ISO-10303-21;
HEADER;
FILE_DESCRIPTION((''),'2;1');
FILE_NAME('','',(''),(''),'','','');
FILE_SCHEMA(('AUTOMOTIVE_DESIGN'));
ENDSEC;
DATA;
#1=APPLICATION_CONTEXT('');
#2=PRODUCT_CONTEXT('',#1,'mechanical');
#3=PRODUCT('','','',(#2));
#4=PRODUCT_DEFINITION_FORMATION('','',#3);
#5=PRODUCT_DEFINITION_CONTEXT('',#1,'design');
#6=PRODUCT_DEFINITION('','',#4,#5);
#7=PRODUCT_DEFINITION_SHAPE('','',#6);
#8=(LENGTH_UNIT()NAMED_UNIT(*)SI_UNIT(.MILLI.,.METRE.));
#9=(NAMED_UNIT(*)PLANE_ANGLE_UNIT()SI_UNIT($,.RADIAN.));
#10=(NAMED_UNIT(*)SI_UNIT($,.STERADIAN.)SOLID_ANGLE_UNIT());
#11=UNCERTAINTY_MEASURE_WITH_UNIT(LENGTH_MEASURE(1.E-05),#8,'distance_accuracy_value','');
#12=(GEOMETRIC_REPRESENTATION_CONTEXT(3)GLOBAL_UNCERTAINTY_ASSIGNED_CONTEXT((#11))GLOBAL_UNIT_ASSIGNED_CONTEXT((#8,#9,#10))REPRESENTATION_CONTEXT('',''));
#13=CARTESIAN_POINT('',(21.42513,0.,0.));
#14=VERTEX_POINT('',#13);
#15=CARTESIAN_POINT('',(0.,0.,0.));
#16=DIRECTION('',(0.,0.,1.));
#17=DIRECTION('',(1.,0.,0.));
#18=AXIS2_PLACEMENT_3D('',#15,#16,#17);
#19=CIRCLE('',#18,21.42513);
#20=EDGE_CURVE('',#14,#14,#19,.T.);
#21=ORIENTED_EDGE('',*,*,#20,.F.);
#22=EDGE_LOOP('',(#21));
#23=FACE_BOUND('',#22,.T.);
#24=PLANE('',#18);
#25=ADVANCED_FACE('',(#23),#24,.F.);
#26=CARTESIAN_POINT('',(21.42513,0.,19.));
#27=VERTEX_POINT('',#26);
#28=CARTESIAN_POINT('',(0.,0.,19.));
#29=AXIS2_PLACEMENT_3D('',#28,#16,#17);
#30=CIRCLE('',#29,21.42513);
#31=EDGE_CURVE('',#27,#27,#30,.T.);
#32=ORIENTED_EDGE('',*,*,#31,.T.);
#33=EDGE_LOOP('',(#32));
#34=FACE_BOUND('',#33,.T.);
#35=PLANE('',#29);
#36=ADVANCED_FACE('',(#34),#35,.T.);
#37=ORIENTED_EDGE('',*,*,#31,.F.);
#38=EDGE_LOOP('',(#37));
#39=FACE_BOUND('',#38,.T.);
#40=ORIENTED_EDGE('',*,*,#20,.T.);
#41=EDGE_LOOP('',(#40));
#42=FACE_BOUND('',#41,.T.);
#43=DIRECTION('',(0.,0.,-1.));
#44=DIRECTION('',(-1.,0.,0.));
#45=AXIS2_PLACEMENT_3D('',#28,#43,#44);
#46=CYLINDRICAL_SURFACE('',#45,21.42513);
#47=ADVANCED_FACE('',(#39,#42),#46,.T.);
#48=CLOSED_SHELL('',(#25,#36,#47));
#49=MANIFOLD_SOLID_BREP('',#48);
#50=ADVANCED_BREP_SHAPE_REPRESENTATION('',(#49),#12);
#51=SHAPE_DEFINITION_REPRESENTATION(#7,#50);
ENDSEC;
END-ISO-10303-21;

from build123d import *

# Parameters (mm, degrees)
SKETCH_1_R      = 21.425129657
EXTRUDE_1_DEPTH = 19


with BuildPart() as part:
    # 草图1 → 凸台-拉伸1 (new body)
    with BuildSketch(Plane.XY):
        Circle(SKETCH_1_R)
    extrude(amount=EXTRUDE_1_DEPTH)


solid = part.part
